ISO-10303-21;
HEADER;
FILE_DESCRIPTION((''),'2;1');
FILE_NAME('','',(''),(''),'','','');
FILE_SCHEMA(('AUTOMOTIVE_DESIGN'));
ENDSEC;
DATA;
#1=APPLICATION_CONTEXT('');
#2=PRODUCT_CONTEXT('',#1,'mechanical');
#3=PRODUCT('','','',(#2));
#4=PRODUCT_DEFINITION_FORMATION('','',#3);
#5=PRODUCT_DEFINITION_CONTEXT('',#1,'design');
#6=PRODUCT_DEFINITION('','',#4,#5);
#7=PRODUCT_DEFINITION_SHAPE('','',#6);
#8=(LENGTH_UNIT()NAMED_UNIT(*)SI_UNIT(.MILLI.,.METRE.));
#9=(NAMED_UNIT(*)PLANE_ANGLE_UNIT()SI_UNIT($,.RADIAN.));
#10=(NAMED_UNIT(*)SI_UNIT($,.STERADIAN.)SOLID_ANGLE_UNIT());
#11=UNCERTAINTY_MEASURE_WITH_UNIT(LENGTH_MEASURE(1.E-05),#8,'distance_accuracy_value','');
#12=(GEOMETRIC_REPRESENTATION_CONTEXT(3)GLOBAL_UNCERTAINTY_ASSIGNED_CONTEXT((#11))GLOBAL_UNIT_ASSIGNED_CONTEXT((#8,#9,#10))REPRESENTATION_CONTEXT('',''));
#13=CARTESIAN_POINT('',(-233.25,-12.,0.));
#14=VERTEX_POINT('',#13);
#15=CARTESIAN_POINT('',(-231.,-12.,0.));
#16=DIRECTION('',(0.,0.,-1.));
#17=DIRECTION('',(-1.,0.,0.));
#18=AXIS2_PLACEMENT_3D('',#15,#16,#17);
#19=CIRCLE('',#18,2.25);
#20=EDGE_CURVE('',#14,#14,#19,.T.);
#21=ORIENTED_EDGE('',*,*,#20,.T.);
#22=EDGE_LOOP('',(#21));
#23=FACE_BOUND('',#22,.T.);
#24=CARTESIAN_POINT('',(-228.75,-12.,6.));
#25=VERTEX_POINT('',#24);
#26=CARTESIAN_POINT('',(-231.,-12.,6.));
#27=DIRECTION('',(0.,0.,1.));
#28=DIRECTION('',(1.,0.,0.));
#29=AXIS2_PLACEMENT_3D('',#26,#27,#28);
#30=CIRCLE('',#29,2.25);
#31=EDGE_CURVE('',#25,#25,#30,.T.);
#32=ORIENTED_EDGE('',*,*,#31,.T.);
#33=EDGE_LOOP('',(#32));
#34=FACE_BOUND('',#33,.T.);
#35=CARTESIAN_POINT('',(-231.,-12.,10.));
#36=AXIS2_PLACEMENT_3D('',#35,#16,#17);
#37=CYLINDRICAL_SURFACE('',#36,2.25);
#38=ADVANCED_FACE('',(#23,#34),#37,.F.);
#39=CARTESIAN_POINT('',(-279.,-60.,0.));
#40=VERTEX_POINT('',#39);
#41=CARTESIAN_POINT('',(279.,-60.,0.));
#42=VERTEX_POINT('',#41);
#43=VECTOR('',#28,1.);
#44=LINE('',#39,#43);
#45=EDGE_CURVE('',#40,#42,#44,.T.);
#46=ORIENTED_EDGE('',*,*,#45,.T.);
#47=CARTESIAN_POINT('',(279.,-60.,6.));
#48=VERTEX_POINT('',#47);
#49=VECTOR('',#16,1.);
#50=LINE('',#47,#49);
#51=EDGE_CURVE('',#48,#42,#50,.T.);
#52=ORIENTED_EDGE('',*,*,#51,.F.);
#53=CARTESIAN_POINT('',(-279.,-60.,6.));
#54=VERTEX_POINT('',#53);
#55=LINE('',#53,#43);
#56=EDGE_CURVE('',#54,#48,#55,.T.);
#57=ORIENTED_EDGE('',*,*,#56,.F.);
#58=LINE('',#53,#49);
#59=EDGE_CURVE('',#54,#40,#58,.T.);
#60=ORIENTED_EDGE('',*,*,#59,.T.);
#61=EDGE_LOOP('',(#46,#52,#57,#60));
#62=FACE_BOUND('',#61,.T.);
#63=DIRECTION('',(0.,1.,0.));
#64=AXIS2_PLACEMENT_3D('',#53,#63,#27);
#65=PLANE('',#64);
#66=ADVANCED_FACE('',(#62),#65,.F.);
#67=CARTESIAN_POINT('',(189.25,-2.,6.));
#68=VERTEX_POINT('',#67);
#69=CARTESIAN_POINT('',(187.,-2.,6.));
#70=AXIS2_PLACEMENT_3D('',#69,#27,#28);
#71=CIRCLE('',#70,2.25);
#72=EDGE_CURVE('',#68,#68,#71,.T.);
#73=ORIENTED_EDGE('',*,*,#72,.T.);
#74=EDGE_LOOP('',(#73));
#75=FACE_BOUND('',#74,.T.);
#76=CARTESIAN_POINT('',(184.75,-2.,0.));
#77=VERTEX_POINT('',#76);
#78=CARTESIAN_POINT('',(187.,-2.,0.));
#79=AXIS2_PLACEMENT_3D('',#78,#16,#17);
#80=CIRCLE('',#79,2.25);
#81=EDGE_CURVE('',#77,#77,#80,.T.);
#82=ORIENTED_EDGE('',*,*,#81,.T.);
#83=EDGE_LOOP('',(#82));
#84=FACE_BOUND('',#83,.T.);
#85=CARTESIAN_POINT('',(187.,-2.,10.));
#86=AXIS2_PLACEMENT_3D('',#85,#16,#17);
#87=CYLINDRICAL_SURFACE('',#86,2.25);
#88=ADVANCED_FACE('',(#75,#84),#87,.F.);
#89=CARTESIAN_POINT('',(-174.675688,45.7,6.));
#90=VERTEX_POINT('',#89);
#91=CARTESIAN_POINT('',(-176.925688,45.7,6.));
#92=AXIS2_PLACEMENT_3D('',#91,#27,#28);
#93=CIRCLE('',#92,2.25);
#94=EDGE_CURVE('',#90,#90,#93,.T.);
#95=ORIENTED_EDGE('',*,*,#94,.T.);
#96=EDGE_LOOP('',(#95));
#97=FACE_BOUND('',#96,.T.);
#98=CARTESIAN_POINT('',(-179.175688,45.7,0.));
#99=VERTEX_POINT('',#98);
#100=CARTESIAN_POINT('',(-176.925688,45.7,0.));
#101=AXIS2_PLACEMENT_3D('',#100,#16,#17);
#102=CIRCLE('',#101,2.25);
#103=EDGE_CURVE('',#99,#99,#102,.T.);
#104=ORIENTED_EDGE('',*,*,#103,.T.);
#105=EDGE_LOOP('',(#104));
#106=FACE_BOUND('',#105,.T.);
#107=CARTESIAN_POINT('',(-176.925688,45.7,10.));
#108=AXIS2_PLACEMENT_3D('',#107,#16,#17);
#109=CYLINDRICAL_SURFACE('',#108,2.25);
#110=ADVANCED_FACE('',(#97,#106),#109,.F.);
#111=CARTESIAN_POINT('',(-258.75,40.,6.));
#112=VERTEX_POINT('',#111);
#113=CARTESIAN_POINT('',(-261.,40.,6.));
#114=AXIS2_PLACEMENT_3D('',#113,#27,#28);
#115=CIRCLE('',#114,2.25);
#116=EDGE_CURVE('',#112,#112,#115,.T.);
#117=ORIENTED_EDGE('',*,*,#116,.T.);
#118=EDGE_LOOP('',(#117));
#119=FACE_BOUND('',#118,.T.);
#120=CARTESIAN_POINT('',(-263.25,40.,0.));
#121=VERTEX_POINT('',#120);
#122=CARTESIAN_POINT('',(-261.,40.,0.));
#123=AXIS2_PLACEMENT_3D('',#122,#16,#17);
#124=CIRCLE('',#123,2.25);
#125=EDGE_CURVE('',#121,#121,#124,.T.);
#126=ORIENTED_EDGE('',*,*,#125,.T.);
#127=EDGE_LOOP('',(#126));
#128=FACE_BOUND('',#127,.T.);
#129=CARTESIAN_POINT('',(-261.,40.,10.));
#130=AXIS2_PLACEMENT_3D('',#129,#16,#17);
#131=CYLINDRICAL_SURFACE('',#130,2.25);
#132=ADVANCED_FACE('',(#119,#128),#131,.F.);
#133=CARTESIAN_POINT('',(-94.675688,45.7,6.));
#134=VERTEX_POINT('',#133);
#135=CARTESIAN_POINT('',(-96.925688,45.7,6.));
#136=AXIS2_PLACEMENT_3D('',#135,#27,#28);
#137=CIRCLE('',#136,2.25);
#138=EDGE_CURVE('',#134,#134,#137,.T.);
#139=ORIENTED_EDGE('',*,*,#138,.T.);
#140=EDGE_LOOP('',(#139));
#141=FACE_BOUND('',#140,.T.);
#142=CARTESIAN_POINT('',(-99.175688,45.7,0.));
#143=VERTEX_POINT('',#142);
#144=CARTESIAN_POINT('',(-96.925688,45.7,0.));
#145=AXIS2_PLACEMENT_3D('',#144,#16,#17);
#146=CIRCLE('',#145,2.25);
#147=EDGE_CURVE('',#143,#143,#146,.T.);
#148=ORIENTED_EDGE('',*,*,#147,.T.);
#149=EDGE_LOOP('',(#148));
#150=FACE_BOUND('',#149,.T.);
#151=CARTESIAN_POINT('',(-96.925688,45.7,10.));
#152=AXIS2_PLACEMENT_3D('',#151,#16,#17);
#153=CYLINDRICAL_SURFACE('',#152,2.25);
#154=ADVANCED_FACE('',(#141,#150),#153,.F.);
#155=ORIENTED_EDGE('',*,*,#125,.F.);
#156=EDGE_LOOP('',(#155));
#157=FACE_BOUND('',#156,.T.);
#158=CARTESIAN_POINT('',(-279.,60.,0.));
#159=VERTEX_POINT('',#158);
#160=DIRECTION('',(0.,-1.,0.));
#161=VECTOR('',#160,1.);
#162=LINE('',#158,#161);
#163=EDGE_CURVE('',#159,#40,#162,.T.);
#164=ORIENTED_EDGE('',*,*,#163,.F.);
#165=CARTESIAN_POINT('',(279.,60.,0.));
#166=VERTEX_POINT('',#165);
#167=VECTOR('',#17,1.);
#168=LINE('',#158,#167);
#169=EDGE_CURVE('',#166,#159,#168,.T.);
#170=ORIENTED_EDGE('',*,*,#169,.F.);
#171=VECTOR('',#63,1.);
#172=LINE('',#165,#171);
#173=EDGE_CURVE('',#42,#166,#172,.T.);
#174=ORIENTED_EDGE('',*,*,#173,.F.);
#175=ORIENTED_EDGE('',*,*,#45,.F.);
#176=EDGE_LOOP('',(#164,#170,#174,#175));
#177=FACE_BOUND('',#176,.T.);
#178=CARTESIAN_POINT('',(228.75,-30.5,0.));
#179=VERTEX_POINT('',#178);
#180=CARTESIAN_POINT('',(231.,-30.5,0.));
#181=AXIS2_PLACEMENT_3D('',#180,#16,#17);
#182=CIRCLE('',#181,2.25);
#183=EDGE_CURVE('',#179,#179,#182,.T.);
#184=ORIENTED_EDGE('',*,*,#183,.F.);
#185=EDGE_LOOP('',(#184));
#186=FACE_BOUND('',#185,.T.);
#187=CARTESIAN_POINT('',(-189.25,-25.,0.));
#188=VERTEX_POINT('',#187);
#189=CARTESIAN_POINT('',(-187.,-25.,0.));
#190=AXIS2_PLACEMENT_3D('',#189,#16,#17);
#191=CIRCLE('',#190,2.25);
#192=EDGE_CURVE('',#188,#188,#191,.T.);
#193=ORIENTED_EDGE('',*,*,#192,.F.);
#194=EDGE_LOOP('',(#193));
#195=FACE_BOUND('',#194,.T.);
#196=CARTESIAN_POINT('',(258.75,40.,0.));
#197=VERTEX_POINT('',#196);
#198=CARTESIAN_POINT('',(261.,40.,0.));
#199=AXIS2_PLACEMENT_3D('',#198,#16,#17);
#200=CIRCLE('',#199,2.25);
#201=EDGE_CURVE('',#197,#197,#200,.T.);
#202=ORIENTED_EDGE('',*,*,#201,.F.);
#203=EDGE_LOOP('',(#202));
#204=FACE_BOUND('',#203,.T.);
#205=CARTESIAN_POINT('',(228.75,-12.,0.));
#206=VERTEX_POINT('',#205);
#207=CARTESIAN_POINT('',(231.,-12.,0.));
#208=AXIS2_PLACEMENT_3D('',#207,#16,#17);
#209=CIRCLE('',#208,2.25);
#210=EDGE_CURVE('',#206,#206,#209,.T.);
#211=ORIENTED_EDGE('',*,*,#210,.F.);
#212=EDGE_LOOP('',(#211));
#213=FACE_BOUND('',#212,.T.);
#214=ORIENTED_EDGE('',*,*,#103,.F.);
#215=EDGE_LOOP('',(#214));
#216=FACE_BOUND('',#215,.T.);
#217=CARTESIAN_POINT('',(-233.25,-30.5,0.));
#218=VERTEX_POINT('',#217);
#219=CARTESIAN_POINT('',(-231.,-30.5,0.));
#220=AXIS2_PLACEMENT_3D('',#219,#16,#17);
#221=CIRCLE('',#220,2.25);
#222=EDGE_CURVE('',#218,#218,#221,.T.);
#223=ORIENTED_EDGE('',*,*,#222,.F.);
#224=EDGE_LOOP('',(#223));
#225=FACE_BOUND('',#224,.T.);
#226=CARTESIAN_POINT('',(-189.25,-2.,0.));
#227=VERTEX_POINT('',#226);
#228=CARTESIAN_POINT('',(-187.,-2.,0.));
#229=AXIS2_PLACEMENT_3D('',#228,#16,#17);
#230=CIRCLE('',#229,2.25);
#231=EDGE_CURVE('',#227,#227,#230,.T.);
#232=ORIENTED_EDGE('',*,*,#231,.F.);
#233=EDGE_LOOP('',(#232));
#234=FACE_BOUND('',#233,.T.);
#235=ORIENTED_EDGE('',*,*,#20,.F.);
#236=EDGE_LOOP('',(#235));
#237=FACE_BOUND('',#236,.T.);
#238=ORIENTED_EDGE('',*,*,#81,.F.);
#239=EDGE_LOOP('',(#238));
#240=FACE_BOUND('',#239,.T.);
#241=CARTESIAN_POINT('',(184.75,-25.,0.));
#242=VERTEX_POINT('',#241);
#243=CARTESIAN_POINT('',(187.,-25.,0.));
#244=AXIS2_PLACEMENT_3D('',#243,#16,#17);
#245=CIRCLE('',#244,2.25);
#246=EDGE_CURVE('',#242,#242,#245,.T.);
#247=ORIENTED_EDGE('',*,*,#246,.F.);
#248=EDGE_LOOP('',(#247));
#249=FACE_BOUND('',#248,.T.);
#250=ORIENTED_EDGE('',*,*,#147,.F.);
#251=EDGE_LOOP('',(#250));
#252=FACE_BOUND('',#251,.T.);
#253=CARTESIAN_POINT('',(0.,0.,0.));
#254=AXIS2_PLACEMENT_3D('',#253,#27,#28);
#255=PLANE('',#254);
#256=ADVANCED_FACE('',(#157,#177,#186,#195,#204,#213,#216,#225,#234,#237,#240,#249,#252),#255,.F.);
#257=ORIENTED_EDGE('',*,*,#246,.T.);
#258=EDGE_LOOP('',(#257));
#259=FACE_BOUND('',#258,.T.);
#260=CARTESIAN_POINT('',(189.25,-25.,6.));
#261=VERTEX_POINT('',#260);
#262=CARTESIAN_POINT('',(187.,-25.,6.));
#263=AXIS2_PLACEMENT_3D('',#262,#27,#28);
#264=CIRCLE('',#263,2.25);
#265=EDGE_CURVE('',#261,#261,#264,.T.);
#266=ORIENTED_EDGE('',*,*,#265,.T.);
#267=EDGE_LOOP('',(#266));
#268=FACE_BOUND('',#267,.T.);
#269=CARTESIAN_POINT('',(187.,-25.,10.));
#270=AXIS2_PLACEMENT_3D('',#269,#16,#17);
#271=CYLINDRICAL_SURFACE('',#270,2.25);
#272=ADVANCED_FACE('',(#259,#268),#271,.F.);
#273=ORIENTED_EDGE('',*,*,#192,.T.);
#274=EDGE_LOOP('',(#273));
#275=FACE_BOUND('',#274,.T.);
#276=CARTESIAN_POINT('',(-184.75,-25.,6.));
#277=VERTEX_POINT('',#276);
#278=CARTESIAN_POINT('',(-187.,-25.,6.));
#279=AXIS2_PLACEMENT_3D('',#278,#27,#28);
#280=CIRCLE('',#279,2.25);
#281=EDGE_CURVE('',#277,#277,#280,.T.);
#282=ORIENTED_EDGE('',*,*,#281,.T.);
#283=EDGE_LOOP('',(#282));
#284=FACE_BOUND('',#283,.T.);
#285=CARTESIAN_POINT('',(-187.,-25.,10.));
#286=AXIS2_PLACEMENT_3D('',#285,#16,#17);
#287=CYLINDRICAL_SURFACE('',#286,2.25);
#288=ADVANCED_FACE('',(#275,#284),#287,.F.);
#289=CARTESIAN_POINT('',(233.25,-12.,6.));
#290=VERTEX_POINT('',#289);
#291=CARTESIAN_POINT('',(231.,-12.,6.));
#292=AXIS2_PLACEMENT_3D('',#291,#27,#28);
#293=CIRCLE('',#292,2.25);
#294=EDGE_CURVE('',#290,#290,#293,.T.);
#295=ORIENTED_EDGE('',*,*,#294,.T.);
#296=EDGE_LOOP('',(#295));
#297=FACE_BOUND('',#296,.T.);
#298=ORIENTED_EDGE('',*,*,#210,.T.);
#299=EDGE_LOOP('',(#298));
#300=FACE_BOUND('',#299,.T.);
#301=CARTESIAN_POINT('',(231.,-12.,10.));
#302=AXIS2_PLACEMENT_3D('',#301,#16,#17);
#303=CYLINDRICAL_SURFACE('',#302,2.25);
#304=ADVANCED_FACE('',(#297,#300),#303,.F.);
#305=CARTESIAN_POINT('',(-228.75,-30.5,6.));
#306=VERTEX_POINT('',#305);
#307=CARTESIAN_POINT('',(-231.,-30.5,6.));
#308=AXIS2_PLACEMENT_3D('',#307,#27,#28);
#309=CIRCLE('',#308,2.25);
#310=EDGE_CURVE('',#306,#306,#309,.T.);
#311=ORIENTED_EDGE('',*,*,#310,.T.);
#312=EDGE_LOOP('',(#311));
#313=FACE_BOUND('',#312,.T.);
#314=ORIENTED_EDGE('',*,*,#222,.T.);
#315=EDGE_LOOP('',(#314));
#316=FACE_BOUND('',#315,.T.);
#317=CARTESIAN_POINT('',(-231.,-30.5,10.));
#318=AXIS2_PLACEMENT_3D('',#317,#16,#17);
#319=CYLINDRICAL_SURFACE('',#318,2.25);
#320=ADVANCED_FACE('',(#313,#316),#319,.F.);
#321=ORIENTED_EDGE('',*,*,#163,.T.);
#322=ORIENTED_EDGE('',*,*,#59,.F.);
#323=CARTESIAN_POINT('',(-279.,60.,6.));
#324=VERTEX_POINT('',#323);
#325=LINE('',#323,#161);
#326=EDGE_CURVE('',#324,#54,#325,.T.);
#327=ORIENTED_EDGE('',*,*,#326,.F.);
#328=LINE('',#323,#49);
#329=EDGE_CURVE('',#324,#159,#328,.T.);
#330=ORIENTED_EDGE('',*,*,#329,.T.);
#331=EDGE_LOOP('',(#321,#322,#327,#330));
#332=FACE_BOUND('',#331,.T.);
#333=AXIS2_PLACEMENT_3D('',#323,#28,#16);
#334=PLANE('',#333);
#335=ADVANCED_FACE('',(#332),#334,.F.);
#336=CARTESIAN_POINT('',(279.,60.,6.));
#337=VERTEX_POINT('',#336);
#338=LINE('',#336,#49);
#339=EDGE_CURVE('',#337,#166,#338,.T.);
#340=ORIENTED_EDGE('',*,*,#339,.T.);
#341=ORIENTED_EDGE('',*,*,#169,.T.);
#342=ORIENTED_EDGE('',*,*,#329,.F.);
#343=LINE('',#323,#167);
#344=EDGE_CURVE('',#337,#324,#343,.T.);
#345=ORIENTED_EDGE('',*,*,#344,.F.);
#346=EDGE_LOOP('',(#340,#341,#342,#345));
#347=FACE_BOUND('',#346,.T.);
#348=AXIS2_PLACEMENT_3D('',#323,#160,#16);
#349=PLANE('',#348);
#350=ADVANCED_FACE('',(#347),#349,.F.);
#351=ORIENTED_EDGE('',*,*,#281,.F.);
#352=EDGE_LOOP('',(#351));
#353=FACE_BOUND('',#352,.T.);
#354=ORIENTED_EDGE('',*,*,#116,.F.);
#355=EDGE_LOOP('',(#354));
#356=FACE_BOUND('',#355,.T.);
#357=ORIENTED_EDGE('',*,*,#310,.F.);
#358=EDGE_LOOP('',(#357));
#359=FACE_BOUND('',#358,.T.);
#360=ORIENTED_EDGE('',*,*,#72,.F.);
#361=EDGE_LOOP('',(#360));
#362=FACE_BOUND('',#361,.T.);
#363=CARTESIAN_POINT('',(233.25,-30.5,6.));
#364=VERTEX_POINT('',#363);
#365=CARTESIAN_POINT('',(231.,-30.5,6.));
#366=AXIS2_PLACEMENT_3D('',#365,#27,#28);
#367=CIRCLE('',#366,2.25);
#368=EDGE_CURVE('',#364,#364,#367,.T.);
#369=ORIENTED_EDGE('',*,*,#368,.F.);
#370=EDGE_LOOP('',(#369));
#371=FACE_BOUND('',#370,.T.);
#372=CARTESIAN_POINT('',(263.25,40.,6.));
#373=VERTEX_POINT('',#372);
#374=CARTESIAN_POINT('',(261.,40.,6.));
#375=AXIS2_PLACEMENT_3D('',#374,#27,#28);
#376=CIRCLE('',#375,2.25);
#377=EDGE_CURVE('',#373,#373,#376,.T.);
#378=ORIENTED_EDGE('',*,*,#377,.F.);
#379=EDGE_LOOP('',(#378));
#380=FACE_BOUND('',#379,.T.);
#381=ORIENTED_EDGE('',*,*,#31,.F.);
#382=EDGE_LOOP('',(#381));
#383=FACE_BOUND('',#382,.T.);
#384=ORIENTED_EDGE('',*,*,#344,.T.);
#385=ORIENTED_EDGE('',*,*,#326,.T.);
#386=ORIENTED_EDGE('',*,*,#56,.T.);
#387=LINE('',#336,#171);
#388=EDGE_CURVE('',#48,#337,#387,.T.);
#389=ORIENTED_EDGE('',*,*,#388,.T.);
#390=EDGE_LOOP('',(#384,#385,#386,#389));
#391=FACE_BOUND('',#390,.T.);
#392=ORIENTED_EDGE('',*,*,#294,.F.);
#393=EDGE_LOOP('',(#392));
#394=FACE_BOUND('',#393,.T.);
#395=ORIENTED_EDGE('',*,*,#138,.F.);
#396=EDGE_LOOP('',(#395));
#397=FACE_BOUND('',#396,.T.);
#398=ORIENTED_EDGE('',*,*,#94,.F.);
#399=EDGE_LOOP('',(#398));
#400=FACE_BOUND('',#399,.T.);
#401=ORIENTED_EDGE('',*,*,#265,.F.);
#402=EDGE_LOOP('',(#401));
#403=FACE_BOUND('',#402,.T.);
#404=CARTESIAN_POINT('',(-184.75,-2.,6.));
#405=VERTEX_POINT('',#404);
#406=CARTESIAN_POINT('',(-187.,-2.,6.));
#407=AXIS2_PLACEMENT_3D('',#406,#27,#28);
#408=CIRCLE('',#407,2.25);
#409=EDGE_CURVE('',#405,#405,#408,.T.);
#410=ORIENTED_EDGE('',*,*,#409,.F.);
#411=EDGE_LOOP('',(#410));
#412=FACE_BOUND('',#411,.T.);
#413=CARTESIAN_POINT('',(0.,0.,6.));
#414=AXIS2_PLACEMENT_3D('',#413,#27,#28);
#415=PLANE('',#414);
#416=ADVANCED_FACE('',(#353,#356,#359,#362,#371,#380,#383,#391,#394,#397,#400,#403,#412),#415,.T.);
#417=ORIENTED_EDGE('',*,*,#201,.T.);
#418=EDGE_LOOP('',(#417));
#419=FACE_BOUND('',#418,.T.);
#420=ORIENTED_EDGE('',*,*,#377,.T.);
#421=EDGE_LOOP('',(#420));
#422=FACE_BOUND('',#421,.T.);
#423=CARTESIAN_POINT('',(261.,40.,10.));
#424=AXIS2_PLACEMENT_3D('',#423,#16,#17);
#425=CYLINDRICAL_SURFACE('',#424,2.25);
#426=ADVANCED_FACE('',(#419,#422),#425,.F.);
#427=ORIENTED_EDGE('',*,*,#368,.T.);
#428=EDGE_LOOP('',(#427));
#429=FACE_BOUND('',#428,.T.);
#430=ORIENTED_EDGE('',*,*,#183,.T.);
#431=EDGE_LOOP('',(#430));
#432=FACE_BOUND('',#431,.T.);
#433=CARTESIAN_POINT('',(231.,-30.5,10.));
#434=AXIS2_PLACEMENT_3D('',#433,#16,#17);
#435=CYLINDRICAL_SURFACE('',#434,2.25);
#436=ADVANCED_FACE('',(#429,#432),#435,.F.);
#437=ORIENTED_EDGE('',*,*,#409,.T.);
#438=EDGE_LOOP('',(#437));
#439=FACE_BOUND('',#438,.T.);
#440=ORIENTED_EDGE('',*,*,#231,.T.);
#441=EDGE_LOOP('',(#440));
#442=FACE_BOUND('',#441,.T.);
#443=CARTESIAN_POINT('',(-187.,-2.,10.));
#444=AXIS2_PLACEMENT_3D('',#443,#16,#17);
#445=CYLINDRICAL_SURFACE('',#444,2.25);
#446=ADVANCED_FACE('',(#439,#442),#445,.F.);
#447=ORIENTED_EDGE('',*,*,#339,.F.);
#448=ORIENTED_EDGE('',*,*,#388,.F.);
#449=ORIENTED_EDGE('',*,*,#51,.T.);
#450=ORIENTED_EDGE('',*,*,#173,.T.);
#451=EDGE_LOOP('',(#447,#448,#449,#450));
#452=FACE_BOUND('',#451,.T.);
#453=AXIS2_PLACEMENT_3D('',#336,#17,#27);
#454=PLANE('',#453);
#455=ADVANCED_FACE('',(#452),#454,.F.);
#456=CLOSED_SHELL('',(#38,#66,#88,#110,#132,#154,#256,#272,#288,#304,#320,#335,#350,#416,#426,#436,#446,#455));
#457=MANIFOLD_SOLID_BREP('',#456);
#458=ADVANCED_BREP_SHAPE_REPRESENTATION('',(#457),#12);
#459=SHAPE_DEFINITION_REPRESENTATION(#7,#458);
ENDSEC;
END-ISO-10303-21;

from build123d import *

# Parameters (mm, degrees)
SCHIZZO1_W                   = 558
SCHIZZO1_H                   = 120
ESTRUSIONE_ESTRUSIONE1_DEPTH = 6
SCHIZZO2_R                   = 2.25
TAGLIO_ESTRUSIONE1_DEPTH     = 10


with BuildPart() as part:
    # Schizzo1 → Estrusione-Estrusione1 (new body)
    with BuildSketch(Plane.XY):
        Rectangle(SCHIZZO1_W, SCHIZZO1_H)
    extrude(amount=ESTRUSIONE_ESTRUSIONE1_DEPTH)

    # Schizzo2 → Taglio-Estrusione1 (cut)
    with BuildSketch(Plane(origin=(0, 0, 0), x_dir=(-1, 0, 0), z_dir=(0, 0, -1))):
        with Locations((-231, -12)):
            Circle(SCHIZZO2_R)
        with Locations((-231, -30.5)):
            Circle(SCHIZZO2_R)
        with Locations((231, -12)):
            Circle(SCHIZZO2_R)
        with Locations((231, -30.5)):
            Circle(SCHIZZO2_R)
        with Locations((-261, 40)):
            Circle(SCHIZZO2_R)
        with Locations((261, 40)):
            Circle(SCHIZZO2_R)
        with Locations((-187, -25)):
            Circle(SCHIZZO2_R)
        with Locations((-187, -2)):
            Circle(SCHIZZO2_R)
        with Locations((187, -25)):
            Circle(SCHIZZO2_R)
        with Locations((187, -2)):
            Circle(SCHIZZO2_R)
        with Locations((176.925688, 45.7)):
            Circle(SCHIZZO2_R)
        with Locations((96.925688, 45.7)):
            Circle(SCHIZZO2_R)
    extrude(amount=-TAGLIO_ESTRUSIONE1_DEPTH, mode=Mode.SUBTRACT)


solid = part.part
